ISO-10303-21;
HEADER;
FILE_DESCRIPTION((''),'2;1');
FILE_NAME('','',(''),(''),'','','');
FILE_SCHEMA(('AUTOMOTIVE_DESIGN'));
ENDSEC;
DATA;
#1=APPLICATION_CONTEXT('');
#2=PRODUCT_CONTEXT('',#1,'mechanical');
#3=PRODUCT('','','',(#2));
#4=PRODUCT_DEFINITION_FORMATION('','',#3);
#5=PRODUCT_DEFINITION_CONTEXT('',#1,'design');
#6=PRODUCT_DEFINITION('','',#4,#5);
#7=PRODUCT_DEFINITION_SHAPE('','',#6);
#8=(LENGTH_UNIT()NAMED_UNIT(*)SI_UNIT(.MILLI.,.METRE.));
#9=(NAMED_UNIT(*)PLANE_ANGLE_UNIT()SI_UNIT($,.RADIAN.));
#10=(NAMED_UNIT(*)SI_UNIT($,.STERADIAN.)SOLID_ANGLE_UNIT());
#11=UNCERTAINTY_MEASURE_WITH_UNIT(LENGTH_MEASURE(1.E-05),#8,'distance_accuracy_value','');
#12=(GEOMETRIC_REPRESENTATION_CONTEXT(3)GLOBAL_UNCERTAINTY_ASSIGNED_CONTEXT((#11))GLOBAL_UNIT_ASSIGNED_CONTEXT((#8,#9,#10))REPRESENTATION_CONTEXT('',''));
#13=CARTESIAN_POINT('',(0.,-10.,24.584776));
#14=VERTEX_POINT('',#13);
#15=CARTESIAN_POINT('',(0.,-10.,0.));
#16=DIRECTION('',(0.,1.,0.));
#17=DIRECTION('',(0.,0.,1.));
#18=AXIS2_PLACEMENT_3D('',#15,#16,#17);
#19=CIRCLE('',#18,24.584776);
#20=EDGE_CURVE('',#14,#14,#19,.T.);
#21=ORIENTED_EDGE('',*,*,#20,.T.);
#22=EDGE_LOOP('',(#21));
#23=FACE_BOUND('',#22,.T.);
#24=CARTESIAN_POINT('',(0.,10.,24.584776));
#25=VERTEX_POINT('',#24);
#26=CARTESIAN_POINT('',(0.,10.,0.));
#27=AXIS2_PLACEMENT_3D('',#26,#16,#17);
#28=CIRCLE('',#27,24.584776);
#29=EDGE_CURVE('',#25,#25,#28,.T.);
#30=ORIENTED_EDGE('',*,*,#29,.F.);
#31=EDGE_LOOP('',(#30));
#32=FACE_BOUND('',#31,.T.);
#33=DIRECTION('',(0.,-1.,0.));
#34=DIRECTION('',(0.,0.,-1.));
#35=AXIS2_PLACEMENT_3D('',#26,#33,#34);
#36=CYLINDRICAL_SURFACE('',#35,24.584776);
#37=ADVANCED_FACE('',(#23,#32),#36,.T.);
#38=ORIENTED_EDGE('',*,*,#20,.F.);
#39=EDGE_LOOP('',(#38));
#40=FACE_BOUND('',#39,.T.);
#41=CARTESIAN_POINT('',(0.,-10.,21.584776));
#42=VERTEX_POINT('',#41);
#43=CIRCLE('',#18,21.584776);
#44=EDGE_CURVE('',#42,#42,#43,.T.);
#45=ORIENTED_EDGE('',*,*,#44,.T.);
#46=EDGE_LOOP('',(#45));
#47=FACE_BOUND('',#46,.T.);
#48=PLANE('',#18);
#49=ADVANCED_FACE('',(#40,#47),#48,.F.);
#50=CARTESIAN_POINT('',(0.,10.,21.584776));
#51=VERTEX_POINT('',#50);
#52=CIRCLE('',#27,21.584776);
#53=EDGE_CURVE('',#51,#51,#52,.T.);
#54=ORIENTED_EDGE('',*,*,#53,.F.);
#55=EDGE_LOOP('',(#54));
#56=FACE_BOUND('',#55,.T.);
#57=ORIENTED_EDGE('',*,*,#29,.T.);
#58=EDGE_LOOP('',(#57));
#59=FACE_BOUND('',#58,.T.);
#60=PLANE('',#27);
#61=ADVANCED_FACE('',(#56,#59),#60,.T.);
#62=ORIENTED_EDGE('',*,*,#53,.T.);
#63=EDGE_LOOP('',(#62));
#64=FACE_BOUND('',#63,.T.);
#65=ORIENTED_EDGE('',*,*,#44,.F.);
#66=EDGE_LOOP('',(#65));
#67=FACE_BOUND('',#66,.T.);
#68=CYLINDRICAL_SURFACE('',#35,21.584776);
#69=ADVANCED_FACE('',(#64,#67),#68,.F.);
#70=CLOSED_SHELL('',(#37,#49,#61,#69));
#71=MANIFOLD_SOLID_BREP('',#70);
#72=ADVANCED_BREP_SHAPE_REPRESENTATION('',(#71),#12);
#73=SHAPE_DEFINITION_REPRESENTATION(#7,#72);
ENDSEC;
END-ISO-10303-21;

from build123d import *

# Parameters (mm, degrees)
SKETCH2_R           = 24.584776311
SKETCH2_R_2         = 21.584776311
BOSS_EXTRUDE1_DEPTH = 10


with BuildPart() as part:
    # Sketch2 → Boss-Extrude1 (new, symmetric)
    with BuildSketch(Plane(origin=(0, 0, 0), x_dir=(1, 0, 0), z_dir=(0, 1, 0))):
        with Locations(Location((0, 0, 0), (0, 0, 270))):
            Circle(SKETCH2_R)
        with Locations(Location((0, 0, 0), (0, 0, 270))):
            Circle(SKETCH2_R_2, mode=Mode.SUBTRACT)
    extrude(amount=BOSS_EXTRUDE1_DEPTH, both=True)


solid = part.part
